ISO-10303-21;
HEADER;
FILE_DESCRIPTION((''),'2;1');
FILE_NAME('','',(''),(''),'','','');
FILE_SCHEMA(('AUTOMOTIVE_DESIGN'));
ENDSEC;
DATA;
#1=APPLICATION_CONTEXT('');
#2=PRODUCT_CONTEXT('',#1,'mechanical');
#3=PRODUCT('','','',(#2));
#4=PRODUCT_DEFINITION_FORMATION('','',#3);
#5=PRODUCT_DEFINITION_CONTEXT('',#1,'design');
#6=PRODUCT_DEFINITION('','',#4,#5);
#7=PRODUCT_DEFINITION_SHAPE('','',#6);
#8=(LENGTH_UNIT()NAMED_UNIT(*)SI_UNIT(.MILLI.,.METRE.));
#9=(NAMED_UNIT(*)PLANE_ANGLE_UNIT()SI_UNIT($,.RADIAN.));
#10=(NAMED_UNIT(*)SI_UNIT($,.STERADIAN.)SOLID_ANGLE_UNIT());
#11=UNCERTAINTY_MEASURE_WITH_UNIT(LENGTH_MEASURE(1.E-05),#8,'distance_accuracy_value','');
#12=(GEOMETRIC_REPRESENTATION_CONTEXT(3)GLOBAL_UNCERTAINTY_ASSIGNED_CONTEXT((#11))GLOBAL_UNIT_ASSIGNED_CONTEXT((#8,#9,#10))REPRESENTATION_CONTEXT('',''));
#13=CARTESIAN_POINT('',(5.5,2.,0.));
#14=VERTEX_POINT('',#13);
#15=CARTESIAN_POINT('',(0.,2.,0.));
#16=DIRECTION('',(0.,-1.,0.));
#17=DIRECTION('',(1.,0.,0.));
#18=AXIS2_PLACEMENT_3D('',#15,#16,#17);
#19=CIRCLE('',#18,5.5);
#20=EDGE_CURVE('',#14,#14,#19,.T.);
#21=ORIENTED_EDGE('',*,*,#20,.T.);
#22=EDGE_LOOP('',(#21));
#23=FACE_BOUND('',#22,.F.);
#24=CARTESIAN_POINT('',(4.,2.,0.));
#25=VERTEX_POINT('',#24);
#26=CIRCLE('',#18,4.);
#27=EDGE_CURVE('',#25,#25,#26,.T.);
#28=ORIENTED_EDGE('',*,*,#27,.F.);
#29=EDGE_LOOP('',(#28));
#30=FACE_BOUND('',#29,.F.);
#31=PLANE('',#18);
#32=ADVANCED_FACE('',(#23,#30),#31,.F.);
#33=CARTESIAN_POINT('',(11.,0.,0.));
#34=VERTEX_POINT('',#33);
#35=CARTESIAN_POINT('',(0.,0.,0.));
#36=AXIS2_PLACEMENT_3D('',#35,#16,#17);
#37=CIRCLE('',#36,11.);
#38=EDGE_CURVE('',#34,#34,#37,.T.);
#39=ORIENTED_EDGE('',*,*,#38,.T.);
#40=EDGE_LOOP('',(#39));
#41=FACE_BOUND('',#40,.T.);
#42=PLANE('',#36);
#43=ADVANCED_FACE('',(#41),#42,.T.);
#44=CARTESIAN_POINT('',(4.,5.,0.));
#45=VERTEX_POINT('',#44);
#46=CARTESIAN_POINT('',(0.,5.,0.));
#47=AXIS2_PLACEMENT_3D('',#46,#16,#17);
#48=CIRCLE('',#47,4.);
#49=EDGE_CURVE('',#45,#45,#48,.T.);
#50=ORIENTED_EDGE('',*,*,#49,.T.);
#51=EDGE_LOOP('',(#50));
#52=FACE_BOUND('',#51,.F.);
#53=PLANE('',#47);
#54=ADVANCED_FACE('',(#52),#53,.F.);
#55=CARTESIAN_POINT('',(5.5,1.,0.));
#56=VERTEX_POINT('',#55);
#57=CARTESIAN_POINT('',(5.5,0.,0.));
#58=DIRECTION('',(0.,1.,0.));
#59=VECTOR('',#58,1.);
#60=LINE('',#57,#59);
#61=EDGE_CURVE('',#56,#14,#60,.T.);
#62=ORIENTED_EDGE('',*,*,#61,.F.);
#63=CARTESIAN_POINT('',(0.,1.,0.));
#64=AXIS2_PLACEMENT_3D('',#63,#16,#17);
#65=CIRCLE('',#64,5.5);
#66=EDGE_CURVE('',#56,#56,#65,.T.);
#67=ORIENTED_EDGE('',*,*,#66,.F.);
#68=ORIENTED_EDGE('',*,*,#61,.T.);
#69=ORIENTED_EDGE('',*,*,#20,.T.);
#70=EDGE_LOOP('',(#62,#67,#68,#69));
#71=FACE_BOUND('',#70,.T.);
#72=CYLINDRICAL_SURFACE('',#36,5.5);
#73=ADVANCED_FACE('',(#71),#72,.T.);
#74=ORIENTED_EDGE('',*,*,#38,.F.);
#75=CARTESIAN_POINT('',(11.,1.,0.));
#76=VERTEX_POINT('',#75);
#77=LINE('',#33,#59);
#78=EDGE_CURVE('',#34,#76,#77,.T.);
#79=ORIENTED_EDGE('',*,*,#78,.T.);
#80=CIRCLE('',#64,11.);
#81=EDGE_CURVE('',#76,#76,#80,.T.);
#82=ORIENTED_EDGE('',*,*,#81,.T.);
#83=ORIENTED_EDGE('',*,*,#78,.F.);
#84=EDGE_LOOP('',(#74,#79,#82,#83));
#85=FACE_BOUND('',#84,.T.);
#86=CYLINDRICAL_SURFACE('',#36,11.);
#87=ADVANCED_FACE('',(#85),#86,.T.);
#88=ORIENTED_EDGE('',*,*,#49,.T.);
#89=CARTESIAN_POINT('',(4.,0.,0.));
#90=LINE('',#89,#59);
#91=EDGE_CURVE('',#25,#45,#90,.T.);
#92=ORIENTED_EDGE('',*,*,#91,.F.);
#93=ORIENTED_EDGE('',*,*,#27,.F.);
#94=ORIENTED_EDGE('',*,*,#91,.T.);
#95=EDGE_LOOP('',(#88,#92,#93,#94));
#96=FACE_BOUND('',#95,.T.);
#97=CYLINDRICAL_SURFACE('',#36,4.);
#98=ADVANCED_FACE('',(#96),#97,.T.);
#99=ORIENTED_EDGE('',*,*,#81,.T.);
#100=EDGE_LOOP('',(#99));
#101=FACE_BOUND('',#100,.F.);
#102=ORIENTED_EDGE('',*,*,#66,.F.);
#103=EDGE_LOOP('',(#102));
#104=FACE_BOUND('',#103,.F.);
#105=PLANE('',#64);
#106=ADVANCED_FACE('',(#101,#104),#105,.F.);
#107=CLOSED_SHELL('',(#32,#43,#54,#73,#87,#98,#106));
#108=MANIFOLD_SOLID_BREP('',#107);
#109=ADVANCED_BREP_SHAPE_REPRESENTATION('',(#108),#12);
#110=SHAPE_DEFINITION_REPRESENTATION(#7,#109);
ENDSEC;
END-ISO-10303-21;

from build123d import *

# Parameters (mm, degrees)
F0_R     = 11
F0_R_2   = 5.5
F1_DEPTH = 1
F0_R_3   = 4
F2_DEPTH = 2
F3_DEPTH = 5


with BuildPart() as f1:
    # F0 (on Front) → F1 (new body)
    with BuildSketch(Plane.XZ):
        Circle(F0_R)
        Circle(F0_R_2, mode=Mode.SUBTRACT)
    extrude(amount=-F1_DEPTH)

    # F0 (on Front) → F2 (join)
    with BuildSketch(Plane.XZ):
        Circle(F0_R_2)
        Circle(F0_R_3, mode=Mode.SUBTRACT)
    extrude(amount=-F2_DEPTH)

    # F0 (on Front) → F3 (join)
    with BuildSketch(Plane.XZ):
        Circle(F0_R_3)
    extrude(amount=-F3_DEPTH)


solid = f1.part
